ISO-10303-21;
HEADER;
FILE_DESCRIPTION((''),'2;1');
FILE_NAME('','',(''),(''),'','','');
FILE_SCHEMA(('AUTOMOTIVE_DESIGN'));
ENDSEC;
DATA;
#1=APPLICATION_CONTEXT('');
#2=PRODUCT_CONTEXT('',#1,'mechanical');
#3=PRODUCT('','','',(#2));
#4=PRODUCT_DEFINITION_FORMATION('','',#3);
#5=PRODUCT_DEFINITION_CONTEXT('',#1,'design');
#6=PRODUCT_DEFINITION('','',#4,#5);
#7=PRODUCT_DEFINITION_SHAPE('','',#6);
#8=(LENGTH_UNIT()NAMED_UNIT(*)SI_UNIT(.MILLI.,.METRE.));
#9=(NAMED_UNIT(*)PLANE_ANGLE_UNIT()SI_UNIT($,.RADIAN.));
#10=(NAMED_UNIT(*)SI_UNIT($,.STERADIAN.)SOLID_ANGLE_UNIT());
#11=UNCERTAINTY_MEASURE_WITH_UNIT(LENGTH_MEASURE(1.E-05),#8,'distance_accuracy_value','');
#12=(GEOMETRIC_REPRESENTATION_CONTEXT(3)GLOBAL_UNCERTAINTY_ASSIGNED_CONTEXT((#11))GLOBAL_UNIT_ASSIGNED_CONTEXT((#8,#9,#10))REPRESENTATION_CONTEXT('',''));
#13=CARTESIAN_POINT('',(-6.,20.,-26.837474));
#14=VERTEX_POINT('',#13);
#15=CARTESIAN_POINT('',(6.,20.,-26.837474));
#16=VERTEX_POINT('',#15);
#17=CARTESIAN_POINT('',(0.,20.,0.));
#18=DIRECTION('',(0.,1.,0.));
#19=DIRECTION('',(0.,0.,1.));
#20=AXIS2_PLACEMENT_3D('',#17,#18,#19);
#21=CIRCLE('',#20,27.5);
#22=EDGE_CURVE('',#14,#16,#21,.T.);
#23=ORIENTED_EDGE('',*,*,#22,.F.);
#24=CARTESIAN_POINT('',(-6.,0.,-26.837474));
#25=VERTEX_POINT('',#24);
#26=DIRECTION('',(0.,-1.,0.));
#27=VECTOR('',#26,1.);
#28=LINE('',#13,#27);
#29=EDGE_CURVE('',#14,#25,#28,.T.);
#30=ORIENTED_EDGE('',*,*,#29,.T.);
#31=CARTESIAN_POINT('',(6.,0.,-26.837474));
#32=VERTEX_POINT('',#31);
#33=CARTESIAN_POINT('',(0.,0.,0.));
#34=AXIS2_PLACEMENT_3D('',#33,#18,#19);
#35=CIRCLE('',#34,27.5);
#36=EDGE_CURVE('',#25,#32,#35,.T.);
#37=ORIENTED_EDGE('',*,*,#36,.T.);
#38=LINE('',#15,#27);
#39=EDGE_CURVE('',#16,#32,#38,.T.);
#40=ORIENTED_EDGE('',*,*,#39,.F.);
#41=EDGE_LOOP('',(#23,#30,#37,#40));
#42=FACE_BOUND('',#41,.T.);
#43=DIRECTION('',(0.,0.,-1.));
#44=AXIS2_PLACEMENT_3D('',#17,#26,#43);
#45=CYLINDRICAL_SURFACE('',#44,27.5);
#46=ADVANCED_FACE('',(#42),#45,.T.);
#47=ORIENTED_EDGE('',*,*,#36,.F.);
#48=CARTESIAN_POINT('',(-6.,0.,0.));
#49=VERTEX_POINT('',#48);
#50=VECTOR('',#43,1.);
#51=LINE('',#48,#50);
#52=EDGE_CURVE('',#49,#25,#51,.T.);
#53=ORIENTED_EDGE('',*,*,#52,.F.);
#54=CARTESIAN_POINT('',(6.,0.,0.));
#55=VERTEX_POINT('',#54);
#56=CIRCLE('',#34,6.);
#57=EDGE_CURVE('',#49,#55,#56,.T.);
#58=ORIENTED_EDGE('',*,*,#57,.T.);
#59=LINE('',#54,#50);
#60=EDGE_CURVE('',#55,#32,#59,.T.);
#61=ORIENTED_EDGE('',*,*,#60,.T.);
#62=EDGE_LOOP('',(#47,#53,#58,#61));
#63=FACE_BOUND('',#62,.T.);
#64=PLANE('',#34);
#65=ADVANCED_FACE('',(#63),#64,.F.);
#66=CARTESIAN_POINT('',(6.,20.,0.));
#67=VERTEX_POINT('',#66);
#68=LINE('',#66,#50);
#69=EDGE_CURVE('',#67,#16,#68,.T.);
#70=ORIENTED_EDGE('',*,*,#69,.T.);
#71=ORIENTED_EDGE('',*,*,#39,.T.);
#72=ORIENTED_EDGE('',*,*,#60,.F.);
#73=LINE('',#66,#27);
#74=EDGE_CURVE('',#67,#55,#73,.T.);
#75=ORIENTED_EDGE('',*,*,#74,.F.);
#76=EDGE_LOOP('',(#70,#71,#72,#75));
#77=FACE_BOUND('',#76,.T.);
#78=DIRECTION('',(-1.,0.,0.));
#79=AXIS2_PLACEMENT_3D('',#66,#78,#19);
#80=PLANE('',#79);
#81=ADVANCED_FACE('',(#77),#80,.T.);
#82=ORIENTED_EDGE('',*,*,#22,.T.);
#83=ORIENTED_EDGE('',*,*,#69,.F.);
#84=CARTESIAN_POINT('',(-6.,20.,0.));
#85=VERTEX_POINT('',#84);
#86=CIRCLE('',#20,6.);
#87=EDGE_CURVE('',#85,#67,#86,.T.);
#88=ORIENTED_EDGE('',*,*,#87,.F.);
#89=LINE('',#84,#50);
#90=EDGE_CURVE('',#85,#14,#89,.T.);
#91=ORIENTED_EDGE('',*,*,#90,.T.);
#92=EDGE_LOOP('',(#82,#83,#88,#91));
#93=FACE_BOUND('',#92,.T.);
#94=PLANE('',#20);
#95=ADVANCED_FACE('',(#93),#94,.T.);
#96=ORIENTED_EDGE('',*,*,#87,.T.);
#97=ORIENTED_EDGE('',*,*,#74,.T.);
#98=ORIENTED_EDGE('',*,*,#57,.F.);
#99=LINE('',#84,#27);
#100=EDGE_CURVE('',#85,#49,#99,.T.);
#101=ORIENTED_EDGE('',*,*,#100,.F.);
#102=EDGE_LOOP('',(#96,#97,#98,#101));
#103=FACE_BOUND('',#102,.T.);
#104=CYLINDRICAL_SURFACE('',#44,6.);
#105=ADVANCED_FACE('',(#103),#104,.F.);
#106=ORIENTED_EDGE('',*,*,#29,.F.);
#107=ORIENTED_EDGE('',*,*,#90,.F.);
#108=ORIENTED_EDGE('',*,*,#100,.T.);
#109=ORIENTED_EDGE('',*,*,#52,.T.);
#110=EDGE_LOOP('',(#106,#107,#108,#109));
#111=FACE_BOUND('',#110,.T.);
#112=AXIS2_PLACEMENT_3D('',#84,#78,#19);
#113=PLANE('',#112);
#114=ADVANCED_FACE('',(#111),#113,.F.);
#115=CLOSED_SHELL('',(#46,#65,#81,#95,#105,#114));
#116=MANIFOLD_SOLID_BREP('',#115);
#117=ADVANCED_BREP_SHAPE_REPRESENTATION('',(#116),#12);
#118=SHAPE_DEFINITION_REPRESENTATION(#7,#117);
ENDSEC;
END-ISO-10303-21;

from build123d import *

# Parameters (mm, degrees)
BOSS_EXTRUDE1_DEPTH = 20


with BuildPart() as part:
    # Sketch2 → Boss-Extrude1 (new body)
    with BuildSketch(Plane(origin=(0, 0, 0), x_dir=(1, 0, 0), z_dir=(0, 1, 0))):
        with BuildLine():
            ThreePointArc((6, 0), (0, -6), (-6, 0))
            Line((-6, 0), (-6, 26.837473801))
            ThreePointArc((-6, 26.837473801), (-17.193748864, -21.462176031), (27.5, 0))
            ThreePointArc((27.5, 0), (21.462176031, 17.193748864), (6, 26.837473801))
            Line((6, 26.837473801), (6, 0))
        make_face()
    extrude(amount=BOSS_EXTRUDE1_DEPTH)


solid = part.part
